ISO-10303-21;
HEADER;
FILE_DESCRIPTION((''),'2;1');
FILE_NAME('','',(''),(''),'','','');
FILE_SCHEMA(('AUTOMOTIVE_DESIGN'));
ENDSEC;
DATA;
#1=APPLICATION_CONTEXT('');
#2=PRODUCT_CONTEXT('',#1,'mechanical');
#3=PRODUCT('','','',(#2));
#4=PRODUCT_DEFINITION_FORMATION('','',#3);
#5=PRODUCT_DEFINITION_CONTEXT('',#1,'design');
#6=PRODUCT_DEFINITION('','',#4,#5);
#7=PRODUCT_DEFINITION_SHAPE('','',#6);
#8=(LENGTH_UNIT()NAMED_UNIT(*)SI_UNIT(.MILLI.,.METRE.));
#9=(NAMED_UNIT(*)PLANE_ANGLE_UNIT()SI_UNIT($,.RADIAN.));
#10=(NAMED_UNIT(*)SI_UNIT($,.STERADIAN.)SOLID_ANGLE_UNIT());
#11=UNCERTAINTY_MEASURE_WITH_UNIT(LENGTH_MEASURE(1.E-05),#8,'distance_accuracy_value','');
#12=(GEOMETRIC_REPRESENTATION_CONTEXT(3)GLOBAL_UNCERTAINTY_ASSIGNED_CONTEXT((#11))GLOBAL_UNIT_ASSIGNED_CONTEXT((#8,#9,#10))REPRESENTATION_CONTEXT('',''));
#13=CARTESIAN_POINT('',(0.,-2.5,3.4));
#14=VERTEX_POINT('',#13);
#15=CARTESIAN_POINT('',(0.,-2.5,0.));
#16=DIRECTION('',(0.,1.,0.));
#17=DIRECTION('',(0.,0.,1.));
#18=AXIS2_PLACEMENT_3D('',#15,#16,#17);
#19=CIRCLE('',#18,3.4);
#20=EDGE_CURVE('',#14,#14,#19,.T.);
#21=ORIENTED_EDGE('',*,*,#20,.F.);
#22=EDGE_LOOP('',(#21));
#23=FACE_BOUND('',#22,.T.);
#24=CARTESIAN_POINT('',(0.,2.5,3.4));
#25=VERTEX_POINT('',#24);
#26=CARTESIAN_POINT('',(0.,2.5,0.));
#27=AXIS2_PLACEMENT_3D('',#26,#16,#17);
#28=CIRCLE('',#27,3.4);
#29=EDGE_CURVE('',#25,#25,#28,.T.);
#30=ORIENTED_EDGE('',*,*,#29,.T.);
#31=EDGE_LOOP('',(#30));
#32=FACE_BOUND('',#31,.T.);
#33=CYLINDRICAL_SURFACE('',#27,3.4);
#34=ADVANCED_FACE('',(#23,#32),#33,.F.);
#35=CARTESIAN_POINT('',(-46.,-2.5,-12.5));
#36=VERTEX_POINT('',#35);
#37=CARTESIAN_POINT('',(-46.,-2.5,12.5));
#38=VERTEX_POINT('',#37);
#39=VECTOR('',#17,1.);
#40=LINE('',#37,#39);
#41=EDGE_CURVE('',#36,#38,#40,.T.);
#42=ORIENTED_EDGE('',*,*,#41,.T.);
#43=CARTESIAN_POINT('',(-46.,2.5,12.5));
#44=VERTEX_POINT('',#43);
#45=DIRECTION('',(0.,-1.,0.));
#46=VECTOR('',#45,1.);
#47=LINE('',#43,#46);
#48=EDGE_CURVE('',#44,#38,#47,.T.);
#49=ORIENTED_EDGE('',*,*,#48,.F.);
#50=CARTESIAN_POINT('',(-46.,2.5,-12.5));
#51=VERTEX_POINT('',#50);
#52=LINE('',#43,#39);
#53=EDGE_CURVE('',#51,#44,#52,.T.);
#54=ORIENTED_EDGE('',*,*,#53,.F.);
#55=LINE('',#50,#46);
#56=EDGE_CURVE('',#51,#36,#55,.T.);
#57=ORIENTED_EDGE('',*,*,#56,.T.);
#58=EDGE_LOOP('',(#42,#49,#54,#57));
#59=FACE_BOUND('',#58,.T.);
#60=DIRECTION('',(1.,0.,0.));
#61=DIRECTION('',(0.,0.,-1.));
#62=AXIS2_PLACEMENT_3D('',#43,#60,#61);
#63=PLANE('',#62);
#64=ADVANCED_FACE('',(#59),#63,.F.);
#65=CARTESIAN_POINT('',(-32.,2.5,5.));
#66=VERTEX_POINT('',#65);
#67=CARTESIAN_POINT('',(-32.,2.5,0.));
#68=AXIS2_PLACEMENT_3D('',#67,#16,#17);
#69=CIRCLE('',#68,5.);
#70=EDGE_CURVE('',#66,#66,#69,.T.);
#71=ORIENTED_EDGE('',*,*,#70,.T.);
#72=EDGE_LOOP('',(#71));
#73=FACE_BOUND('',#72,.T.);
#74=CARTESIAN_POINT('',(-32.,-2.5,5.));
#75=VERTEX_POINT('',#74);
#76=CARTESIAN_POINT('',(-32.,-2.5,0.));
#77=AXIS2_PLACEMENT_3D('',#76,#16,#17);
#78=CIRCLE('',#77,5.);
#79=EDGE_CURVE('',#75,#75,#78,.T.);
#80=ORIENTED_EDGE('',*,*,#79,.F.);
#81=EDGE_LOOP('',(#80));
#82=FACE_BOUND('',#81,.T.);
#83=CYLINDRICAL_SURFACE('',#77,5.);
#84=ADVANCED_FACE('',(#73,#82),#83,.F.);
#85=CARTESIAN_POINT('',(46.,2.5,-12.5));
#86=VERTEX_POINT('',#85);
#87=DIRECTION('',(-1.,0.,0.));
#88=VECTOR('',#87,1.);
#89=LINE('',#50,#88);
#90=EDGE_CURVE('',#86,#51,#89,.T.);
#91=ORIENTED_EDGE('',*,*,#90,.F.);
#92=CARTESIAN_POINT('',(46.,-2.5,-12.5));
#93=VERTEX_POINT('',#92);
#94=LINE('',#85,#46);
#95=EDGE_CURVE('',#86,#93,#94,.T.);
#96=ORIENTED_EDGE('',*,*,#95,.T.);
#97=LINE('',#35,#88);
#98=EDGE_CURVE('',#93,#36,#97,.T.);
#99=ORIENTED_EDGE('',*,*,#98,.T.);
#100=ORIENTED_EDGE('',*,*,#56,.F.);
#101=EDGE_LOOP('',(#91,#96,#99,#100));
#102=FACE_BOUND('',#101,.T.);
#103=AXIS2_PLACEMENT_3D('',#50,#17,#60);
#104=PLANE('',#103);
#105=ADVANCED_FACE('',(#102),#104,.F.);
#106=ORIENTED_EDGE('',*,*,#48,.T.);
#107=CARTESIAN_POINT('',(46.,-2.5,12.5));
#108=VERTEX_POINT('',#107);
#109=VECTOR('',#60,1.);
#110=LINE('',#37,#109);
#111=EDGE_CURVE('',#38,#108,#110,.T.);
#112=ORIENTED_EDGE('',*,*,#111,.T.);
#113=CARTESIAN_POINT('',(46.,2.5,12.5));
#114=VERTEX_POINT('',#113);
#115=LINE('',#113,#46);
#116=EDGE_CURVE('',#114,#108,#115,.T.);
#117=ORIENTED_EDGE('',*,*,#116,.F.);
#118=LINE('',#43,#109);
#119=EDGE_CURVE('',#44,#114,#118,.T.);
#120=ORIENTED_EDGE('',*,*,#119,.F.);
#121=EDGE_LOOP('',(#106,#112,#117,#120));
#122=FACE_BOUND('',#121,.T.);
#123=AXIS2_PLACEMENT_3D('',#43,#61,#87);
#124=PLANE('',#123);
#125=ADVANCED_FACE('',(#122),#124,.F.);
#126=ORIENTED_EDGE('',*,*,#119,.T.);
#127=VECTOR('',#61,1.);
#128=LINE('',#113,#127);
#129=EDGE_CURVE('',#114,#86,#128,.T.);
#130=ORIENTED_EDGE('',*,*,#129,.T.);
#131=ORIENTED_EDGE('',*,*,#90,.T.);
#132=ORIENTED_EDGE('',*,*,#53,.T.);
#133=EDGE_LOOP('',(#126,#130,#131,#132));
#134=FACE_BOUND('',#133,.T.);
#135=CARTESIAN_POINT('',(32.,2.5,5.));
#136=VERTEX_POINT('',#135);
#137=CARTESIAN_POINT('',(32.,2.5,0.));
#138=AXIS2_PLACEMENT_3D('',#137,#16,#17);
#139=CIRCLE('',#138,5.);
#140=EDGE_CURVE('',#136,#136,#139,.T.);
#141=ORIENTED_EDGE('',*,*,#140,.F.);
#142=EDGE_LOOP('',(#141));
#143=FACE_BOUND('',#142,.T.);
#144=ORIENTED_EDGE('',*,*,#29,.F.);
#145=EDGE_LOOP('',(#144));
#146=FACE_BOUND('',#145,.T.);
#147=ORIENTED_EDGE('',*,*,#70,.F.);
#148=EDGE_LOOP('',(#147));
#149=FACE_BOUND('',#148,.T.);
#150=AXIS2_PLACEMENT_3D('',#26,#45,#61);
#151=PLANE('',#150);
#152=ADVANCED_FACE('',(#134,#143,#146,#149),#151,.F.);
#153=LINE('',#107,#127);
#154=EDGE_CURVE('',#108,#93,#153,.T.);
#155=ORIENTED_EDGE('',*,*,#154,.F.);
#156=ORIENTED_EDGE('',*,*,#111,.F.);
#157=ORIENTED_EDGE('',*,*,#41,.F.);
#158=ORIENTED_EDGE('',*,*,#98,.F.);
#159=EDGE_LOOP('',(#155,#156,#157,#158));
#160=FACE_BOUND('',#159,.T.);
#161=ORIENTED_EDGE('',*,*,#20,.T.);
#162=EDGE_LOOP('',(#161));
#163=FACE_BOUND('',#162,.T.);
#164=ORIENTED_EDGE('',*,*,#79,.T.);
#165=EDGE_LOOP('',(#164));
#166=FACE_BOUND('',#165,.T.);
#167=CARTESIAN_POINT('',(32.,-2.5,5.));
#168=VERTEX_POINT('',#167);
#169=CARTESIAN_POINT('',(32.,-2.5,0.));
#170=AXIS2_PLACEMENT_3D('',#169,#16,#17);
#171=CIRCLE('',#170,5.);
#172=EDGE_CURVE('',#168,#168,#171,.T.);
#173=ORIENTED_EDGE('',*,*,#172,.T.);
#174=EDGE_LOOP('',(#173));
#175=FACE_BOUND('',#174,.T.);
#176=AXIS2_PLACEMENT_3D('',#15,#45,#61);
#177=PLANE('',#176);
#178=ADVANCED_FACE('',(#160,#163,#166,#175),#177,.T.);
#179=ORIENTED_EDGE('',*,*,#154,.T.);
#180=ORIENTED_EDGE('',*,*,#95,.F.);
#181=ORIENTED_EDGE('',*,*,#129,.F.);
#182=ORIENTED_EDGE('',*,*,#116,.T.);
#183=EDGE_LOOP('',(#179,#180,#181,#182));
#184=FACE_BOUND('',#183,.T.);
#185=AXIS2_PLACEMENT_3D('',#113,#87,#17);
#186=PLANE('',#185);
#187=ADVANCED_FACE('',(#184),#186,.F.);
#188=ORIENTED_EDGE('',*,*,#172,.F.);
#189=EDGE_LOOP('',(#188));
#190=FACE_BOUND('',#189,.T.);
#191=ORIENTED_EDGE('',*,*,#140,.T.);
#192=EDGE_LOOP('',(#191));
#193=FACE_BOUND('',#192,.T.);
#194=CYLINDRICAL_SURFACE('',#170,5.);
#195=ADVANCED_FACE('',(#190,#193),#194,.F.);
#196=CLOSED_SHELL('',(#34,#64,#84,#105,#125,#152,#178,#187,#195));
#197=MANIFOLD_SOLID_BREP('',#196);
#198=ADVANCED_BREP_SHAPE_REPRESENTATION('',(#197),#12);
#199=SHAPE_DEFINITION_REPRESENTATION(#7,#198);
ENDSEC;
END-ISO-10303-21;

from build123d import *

# Parameters (mm, degrees)
SKETCH_1_W          = 92
SKETCH_1_H          = 25
EXTRUDE_1_DEPTH     = 2.5
SKETCH_2_R          = 5
CUT_EXTRUDE_1_DEPTH = 48.929635926
HOLE_WIZARD_M8_1_D  = 6.8


with BuildPart() as part:
    # 草图1 → 凸台-拉伸1 (new, symmetric)
    with BuildSketch(Plane(origin=(0, 0, 0), x_dir=(1, 0, 0), z_dir=(0, 1, 0))):
        Rectangle(SKETCH_1_W, SKETCH_1_H)
    extrude(amount=EXTRUDE_1_DEPTH, both=True)

    # 草图2 → 切除-拉伸1 (cut, through all)
    with BuildSketch(Plane(origin=(0, 2.5, 0), x_dir=(1, 0, 0), z_dir=(0, 1, 0))):
        with Locations(Location((32, 0, 0), (0, 0, 270))):
            Circle(SKETCH_2_R)
        with Locations(Location((-32, 0, 0), (0, 0, 270))):
            Circle(SKETCH_2_R)
    extrude(amount=-CUT_EXTRUDE_1_DEPTH, mode=Mode.SUBTRACT)

    # M8 螺纹孔1 (through all)
    with Locations(Plane(origin=(0, 2.5, 0), x_dir=(1, 0, 0), z_dir=(0, 1, 0))):
        with Locations((0, 0)):
            Hole(HOLE_WIZARD_M8_1_D / 2)


solid = part.part
